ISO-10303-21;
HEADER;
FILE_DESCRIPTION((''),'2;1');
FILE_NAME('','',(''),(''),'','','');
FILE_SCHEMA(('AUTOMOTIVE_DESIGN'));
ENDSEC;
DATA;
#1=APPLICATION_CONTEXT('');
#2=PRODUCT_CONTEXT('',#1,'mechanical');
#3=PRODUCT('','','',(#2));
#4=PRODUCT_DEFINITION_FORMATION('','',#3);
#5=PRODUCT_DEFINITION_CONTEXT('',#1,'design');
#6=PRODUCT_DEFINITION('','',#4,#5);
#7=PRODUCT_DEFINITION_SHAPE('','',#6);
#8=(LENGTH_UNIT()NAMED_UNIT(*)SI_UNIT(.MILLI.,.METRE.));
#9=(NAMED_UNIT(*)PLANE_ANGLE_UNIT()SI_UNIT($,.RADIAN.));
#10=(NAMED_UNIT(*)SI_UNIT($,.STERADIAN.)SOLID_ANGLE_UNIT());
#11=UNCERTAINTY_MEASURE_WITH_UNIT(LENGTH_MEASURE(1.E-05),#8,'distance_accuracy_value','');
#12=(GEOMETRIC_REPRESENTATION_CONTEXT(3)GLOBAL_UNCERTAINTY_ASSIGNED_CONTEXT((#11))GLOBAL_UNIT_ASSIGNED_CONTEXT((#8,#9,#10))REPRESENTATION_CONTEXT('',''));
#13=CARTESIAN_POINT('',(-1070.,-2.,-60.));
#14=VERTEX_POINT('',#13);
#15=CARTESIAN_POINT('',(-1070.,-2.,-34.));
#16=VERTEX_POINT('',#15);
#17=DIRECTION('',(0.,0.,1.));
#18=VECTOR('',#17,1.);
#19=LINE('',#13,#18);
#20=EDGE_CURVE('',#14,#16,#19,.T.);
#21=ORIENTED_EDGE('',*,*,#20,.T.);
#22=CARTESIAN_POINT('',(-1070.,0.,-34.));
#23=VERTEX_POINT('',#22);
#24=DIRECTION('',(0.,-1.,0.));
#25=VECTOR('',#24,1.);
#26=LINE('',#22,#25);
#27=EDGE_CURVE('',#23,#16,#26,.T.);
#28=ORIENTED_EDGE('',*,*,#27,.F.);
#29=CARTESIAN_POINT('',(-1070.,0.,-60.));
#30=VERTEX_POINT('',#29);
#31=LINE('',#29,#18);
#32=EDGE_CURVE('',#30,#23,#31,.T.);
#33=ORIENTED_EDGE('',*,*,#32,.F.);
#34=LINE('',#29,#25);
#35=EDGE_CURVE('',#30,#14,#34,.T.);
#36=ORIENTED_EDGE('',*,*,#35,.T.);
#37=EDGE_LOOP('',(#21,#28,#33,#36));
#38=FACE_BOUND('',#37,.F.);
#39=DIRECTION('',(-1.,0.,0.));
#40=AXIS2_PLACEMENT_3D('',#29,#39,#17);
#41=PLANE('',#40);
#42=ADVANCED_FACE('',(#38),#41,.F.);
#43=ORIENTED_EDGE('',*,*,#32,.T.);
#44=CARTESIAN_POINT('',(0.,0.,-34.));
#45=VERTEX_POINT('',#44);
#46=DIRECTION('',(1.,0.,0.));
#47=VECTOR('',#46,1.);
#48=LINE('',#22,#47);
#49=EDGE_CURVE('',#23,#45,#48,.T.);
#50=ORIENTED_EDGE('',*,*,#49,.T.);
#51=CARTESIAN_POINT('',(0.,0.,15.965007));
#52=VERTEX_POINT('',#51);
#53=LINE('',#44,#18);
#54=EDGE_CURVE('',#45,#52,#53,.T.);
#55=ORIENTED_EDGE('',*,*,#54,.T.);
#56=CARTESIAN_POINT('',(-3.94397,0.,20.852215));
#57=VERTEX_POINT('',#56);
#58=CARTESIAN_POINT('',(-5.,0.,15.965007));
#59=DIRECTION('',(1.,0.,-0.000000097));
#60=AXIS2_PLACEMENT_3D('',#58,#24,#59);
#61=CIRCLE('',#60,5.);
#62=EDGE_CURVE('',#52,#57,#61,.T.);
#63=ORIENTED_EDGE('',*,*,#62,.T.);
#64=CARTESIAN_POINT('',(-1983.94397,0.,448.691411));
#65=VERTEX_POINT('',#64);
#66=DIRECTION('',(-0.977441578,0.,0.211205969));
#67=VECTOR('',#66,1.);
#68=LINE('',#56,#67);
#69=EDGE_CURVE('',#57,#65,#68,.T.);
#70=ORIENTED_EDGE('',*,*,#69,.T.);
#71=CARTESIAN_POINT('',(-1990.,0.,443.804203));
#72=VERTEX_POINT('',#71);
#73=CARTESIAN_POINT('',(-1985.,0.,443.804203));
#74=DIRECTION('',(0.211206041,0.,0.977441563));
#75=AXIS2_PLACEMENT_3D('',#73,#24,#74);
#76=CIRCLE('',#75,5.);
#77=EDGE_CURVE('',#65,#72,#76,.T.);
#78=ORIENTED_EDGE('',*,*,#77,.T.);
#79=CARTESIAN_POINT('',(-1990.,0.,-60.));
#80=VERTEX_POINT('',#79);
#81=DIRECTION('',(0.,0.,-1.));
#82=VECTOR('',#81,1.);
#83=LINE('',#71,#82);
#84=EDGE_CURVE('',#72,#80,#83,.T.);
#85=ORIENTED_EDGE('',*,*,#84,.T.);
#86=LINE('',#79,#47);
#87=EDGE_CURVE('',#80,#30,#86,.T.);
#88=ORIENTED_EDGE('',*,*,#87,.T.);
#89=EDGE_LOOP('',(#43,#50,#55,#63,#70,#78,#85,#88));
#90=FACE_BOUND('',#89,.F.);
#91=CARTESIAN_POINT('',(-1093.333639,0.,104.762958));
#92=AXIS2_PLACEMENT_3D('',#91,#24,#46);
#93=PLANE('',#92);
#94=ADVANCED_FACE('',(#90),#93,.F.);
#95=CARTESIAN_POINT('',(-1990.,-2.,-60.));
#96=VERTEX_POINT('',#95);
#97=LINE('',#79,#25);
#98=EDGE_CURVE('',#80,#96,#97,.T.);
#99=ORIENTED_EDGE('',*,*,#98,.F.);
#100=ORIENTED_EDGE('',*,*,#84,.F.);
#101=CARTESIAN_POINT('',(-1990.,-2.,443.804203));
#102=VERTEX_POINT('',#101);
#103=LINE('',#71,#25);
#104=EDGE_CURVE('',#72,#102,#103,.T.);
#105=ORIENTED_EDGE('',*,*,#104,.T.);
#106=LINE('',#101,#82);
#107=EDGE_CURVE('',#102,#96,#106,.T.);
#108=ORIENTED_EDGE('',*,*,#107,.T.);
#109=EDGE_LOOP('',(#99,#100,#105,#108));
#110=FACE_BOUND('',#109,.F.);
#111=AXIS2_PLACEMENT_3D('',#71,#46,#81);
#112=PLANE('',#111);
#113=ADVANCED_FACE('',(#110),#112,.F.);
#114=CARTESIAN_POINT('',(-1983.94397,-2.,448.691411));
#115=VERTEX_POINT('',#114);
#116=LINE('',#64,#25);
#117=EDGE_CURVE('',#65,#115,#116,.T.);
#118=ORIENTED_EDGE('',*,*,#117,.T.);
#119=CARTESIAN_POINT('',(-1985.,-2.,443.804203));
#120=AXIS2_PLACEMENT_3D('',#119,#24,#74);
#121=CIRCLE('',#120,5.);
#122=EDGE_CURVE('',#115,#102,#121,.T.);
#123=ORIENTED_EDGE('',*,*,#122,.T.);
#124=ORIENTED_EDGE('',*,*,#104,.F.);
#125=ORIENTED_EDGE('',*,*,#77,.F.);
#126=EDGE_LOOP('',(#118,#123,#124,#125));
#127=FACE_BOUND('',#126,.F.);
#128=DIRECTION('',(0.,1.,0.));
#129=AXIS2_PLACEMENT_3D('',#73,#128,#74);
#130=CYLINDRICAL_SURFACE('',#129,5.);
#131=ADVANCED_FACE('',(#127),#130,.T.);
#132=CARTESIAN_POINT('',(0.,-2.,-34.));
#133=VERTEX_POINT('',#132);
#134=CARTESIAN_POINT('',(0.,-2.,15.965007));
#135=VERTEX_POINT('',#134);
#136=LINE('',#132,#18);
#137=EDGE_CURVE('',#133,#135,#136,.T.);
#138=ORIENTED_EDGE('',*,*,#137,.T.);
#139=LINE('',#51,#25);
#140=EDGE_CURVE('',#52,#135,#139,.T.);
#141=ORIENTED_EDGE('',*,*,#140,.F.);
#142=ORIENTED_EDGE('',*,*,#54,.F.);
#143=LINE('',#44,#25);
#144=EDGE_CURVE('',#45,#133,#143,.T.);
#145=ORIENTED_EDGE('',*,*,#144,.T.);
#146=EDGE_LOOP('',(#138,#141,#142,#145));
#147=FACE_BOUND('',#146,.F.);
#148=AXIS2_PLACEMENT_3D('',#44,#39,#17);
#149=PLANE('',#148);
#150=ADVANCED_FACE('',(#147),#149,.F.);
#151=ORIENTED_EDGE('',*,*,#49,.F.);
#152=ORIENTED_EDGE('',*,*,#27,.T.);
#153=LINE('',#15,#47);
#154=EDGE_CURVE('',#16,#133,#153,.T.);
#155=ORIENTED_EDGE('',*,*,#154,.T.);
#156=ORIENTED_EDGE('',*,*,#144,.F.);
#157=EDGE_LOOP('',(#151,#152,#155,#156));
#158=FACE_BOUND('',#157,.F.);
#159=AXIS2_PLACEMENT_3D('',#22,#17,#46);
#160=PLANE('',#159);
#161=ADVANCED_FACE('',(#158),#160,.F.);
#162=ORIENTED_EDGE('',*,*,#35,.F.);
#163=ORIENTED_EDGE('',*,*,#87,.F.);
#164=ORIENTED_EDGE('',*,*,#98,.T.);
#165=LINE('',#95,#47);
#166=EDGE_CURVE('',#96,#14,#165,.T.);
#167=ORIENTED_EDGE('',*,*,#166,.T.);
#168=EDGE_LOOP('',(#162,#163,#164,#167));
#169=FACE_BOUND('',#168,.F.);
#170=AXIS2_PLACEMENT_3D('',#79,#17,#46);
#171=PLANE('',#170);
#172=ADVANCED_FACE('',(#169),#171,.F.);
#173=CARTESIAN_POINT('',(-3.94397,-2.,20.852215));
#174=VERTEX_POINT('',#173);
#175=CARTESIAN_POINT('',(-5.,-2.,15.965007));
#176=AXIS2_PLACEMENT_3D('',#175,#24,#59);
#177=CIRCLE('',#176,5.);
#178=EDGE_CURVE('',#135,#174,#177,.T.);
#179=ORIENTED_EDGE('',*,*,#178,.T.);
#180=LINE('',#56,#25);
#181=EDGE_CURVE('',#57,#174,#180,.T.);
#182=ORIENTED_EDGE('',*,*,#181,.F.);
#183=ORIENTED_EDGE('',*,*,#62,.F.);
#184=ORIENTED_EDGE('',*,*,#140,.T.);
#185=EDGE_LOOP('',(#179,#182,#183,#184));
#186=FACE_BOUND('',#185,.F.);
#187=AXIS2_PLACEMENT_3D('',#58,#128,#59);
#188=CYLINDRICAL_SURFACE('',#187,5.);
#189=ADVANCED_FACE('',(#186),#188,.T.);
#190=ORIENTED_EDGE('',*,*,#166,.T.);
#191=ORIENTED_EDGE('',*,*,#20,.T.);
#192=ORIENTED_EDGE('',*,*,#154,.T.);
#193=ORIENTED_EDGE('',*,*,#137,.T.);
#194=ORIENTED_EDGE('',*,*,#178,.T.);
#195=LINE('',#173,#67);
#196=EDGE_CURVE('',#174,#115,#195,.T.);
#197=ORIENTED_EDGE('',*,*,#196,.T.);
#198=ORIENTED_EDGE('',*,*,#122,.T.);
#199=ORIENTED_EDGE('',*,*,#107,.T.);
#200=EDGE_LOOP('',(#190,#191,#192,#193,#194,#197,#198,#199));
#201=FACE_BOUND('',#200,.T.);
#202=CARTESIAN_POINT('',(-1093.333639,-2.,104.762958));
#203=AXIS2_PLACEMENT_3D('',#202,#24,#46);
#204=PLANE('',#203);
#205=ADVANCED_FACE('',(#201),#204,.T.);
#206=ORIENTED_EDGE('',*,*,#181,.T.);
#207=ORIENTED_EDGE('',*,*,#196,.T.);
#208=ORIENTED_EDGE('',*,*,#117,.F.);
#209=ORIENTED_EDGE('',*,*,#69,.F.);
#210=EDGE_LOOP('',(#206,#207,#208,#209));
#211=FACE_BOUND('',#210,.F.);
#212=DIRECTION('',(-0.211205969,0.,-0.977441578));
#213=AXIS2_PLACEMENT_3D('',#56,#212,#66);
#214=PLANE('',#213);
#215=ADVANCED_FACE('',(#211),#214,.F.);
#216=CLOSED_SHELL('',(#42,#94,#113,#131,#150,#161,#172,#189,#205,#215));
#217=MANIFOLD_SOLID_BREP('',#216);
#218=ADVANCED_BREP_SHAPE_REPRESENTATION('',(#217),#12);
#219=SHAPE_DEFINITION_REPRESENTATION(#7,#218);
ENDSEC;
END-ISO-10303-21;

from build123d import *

# Parameters (mm, degrees)
F1_DEPTH = 2


with BuildPart() as f1:
    # F0 (on Front) → F1 (new body)
    with BuildSketch(Plane.XZ):
        with BuildLine():
            Line((0, -34), (0, 0))
            Line((0, 0), (0, 15.965007))
            ThreePointArc((0, 15.965007), (-1.108975, 19.105059), (-3.94397, 20.852215))
            Line((-3.94397, 20.852215), (-1983.94397, 448.691411))
            ThreePointArc((-1983.94397, 448.691411), (-1988.140052, 447.695228), (-1990, 443.804203))
            Line((-1990, 443.804203), (-1990, 0))
            Line((-1990, 0), (-1990, -60))
            Line((-1990, -60), (-1070, -60))
            Line((-1070, -60), (-1070, -34))
            Line((-1070, -34), (0, -34))
        make_face()
    extrude(amount=F1_DEPTH)


solid = f1.part
